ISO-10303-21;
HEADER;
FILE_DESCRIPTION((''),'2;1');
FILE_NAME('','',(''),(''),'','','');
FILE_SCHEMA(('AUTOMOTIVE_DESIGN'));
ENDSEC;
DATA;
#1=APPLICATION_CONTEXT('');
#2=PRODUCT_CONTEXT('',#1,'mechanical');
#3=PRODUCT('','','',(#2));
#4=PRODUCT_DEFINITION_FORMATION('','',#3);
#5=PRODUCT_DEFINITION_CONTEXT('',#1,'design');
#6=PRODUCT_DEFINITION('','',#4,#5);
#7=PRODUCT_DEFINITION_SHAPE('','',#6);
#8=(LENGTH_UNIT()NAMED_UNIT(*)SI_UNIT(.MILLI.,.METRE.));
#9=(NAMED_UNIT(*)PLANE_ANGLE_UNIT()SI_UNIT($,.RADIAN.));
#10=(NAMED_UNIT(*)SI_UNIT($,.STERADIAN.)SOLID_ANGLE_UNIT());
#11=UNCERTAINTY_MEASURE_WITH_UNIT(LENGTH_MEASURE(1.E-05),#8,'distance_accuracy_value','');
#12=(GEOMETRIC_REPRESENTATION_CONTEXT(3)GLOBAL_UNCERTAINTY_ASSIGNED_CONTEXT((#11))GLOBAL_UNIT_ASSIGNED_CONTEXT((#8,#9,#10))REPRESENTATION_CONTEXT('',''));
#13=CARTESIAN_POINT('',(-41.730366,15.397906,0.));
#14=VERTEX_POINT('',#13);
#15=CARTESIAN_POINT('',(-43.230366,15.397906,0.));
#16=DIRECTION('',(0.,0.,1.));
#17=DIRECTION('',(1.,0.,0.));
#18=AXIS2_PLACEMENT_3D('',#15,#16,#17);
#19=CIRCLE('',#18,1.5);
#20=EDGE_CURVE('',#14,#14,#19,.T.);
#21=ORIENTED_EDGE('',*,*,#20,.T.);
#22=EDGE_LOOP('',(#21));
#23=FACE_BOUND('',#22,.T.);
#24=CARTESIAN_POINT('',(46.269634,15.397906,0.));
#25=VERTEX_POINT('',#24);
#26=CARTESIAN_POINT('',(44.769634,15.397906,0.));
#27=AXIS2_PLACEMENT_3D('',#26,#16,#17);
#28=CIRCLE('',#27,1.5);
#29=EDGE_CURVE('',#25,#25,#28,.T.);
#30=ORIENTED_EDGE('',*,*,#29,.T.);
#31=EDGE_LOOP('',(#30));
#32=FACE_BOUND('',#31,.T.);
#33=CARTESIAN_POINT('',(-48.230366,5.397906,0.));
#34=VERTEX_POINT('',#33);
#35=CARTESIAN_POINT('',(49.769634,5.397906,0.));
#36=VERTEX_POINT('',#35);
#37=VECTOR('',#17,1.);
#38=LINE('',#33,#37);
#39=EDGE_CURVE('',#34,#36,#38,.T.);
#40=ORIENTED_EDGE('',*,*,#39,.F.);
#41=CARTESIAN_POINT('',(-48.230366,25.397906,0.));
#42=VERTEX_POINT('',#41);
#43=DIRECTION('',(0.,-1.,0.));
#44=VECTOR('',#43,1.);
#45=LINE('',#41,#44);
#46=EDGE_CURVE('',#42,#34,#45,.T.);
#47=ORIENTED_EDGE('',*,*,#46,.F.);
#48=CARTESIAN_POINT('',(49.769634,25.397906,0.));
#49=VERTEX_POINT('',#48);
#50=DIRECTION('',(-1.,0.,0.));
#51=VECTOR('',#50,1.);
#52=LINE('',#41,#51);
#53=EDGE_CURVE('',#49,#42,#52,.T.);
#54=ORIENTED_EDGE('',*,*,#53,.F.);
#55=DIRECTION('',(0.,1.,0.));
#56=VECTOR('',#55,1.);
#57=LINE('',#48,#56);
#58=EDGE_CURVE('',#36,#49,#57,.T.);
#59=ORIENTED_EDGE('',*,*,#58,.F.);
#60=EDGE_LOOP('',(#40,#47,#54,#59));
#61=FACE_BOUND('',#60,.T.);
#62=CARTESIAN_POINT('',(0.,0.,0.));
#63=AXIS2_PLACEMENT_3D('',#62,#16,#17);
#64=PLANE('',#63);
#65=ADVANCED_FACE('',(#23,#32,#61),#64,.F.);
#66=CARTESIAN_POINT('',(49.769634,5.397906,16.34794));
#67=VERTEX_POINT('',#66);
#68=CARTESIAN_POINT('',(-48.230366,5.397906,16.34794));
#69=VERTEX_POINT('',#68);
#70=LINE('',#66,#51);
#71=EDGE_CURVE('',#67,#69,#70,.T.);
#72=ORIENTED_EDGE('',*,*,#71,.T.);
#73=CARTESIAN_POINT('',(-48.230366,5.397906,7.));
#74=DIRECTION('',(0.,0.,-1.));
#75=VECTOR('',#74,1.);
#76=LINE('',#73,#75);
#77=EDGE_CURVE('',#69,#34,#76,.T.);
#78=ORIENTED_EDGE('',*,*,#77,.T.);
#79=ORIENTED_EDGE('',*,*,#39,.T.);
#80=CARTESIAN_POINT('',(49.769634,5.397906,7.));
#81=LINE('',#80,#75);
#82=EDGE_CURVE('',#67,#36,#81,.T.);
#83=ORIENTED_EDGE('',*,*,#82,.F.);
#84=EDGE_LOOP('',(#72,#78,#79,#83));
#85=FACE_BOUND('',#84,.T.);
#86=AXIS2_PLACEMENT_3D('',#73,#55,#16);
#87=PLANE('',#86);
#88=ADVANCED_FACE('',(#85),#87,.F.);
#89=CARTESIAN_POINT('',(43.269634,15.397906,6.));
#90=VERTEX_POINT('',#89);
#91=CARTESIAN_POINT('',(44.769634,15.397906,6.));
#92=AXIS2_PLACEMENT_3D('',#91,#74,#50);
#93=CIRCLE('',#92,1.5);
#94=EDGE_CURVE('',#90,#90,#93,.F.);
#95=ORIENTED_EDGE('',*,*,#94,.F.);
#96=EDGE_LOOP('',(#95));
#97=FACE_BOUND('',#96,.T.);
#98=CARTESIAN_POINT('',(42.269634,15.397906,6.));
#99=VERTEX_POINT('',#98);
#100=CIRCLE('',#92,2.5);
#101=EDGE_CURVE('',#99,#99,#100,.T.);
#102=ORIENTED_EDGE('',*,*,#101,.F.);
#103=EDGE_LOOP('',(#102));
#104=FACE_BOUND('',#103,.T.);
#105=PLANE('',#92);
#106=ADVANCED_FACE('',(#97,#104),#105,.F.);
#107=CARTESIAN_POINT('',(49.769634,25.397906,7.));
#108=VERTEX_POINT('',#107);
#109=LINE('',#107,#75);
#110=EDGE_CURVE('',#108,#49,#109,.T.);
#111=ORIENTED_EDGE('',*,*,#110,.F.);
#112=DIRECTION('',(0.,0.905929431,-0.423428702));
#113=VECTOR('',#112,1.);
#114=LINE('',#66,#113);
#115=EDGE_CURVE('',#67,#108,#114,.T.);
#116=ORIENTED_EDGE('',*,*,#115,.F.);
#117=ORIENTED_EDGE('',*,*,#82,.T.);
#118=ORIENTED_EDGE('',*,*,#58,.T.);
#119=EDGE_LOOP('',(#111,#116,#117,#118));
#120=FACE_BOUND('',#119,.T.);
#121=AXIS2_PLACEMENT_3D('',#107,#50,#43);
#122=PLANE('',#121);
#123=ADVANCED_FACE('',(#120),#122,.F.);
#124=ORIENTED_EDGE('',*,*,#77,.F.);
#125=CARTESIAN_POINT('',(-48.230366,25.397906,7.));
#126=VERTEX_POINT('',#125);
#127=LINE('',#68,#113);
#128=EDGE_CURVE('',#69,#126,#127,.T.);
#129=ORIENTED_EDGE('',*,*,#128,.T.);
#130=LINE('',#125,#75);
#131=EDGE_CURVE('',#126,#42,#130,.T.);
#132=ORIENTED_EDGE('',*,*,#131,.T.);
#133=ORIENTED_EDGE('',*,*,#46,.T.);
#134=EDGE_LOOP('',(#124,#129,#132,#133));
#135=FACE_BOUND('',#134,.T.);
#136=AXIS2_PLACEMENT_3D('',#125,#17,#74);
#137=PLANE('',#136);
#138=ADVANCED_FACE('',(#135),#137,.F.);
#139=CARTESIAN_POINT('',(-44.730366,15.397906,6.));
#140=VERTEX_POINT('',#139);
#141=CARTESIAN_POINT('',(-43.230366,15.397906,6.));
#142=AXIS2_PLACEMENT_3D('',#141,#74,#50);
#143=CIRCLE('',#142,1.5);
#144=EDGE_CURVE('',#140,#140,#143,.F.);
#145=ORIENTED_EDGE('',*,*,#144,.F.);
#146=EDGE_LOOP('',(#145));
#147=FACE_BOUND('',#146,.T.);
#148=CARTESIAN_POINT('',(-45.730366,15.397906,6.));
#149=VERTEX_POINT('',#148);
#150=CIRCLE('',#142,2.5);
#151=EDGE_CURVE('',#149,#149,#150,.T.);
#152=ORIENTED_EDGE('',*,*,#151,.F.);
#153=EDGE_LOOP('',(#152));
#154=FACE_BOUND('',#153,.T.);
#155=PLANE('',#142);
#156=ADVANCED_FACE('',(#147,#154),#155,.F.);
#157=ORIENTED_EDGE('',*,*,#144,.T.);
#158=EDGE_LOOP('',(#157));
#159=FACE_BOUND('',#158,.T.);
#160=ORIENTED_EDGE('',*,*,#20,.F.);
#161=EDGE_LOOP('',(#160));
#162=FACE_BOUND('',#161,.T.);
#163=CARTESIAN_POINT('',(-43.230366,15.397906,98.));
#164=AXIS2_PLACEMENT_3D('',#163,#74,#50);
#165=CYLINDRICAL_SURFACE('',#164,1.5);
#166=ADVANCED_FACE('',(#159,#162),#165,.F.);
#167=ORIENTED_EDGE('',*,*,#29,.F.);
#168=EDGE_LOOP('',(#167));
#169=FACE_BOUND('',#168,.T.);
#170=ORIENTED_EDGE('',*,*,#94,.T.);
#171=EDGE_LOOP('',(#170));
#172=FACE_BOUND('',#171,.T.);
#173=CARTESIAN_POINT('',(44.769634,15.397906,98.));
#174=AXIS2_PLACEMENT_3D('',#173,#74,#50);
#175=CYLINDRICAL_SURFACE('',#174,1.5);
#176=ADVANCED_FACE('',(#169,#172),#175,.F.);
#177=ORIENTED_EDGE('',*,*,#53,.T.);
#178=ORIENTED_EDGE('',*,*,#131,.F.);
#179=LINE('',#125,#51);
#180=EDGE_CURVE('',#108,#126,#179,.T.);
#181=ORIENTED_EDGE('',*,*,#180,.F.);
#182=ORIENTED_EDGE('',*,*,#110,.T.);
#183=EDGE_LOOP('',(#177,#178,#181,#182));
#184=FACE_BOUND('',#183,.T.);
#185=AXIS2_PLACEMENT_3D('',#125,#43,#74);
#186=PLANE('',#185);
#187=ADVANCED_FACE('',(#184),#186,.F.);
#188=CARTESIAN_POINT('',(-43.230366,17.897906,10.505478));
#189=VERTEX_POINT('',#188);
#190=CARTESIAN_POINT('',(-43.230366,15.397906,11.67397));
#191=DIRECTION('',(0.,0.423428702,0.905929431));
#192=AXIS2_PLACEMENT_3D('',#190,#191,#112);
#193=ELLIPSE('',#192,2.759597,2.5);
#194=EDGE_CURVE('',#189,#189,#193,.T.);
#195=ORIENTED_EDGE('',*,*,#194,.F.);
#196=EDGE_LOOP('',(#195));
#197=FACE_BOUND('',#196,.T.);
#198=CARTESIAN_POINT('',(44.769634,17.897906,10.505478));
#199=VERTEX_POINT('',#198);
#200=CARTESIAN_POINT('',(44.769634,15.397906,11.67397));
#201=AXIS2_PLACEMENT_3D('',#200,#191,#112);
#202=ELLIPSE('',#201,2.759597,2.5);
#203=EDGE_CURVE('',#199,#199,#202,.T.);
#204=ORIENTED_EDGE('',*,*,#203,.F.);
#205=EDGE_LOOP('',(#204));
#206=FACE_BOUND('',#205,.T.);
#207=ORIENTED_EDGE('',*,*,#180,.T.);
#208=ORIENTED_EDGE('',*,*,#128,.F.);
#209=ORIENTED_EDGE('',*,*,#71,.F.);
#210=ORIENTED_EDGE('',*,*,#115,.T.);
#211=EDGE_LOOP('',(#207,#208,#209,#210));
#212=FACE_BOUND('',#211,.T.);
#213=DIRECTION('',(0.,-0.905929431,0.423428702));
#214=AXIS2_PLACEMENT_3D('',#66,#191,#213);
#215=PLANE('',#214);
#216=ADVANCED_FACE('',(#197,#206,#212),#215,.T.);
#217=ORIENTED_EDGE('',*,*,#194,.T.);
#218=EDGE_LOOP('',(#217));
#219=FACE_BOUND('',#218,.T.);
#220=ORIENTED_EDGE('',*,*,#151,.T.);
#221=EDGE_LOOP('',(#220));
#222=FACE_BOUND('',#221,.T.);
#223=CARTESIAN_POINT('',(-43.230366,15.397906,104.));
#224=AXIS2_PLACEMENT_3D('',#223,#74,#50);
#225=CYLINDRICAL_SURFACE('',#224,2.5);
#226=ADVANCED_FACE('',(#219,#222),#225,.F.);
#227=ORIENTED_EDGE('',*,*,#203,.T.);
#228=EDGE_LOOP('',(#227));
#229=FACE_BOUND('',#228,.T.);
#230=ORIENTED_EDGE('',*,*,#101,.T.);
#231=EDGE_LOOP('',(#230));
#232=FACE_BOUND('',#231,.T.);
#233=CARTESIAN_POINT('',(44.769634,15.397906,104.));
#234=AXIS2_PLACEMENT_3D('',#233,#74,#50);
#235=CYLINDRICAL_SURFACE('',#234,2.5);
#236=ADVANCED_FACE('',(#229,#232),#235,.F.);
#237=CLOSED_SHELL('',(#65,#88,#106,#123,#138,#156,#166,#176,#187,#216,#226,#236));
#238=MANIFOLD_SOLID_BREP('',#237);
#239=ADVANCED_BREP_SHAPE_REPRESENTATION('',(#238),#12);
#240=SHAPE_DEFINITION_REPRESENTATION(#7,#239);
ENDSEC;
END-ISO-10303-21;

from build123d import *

# Parameters (mm, degrees)
SKETCH_1_W          = 98
SKETCH_1_H          = 20
EXTRUDE_1_DEPTH     = 7
EXTRUDE_2_DEPTH     = 98
CUT_EXTRUDE_START   = -6
SKETCH_3_R          = 2.5
SKETCH_3_R_2        = 1.5
CUT_EXTRUDE_3_DEPTH = 98
SKETCH_4_R          = 1.5
CUT_EXTRUDE_6_DEPTH = 98


with BuildPart() as part:
    # 草图1 → 凸台-拉伸1 (new body)
    with BuildSketch(Plane.XY):
        with Locations((0.769633508, 15.397905759)):
            Rectangle(SKETCH_1_W, SKETCH_1_H)
    extrude(amount=EXTRUDE_1_DEPTH)

    # 草图2 → 凸台-拉伸2 (add)
    with BuildSketch(Plane.ZY.offset(48.230366492)):
        Polygon((7, 25.397905759), (7, 5.397905759), (12.864294632, 5.397905759), (16.347940075, 5.397905759), align=None)
    extrude(amount=-EXTRUDE_2_DEPTH)

    # 草图3 → 切除-拉伸3 (cut)
    # profile 1 of 2: a face of its own
    with BuildSketch(Plane(origin=(0, 0, 0), x_dir=(-1, 0, 0), z_dir=(0, 0, -1)).offset(CUT_EXTRUDE_START)):
        with Locations((-44.769633508, 15.397905759)):
            Circle(SKETCH_3_R)
    # profile 2 of 2: a face of its own
    with BuildSketch(Plane(origin=(0, 0, 0), x_dir=(-1, 0, 0), z_dir=(0, 0, -1)).offset(CUT_EXTRUDE_START)):
        with Locations((43.230366492, 15.397905759)):
            Circle(SKETCH_3_R)
        with Locations((43.230366492, 15.397905759)):
            Circle(SKETCH_3_R_2, mode=Mode.SUBTRACT)
    extrude(amount=-CUT_EXTRUDE_3_DEPTH, mode=Mode.SUBTRACT)

    # 草图4 → 切除-拉伸6 (cut)
    with BuildSketch(Plane.XY):
        with Locations(Location((-43.230366492, 15.397905759, 0), (0, 0, 180))):
            Circle(SKETCH_4_R)
        with Locations(Location((44.769633508, 15.397905759, 0), (0, 0, 180))):
            Circle(SKETCH_4_R)
    extrude(amount=CUT_EXTRUDE_6_DEPTH, mode=Mode.SUBTRACT)


solid = part.part
